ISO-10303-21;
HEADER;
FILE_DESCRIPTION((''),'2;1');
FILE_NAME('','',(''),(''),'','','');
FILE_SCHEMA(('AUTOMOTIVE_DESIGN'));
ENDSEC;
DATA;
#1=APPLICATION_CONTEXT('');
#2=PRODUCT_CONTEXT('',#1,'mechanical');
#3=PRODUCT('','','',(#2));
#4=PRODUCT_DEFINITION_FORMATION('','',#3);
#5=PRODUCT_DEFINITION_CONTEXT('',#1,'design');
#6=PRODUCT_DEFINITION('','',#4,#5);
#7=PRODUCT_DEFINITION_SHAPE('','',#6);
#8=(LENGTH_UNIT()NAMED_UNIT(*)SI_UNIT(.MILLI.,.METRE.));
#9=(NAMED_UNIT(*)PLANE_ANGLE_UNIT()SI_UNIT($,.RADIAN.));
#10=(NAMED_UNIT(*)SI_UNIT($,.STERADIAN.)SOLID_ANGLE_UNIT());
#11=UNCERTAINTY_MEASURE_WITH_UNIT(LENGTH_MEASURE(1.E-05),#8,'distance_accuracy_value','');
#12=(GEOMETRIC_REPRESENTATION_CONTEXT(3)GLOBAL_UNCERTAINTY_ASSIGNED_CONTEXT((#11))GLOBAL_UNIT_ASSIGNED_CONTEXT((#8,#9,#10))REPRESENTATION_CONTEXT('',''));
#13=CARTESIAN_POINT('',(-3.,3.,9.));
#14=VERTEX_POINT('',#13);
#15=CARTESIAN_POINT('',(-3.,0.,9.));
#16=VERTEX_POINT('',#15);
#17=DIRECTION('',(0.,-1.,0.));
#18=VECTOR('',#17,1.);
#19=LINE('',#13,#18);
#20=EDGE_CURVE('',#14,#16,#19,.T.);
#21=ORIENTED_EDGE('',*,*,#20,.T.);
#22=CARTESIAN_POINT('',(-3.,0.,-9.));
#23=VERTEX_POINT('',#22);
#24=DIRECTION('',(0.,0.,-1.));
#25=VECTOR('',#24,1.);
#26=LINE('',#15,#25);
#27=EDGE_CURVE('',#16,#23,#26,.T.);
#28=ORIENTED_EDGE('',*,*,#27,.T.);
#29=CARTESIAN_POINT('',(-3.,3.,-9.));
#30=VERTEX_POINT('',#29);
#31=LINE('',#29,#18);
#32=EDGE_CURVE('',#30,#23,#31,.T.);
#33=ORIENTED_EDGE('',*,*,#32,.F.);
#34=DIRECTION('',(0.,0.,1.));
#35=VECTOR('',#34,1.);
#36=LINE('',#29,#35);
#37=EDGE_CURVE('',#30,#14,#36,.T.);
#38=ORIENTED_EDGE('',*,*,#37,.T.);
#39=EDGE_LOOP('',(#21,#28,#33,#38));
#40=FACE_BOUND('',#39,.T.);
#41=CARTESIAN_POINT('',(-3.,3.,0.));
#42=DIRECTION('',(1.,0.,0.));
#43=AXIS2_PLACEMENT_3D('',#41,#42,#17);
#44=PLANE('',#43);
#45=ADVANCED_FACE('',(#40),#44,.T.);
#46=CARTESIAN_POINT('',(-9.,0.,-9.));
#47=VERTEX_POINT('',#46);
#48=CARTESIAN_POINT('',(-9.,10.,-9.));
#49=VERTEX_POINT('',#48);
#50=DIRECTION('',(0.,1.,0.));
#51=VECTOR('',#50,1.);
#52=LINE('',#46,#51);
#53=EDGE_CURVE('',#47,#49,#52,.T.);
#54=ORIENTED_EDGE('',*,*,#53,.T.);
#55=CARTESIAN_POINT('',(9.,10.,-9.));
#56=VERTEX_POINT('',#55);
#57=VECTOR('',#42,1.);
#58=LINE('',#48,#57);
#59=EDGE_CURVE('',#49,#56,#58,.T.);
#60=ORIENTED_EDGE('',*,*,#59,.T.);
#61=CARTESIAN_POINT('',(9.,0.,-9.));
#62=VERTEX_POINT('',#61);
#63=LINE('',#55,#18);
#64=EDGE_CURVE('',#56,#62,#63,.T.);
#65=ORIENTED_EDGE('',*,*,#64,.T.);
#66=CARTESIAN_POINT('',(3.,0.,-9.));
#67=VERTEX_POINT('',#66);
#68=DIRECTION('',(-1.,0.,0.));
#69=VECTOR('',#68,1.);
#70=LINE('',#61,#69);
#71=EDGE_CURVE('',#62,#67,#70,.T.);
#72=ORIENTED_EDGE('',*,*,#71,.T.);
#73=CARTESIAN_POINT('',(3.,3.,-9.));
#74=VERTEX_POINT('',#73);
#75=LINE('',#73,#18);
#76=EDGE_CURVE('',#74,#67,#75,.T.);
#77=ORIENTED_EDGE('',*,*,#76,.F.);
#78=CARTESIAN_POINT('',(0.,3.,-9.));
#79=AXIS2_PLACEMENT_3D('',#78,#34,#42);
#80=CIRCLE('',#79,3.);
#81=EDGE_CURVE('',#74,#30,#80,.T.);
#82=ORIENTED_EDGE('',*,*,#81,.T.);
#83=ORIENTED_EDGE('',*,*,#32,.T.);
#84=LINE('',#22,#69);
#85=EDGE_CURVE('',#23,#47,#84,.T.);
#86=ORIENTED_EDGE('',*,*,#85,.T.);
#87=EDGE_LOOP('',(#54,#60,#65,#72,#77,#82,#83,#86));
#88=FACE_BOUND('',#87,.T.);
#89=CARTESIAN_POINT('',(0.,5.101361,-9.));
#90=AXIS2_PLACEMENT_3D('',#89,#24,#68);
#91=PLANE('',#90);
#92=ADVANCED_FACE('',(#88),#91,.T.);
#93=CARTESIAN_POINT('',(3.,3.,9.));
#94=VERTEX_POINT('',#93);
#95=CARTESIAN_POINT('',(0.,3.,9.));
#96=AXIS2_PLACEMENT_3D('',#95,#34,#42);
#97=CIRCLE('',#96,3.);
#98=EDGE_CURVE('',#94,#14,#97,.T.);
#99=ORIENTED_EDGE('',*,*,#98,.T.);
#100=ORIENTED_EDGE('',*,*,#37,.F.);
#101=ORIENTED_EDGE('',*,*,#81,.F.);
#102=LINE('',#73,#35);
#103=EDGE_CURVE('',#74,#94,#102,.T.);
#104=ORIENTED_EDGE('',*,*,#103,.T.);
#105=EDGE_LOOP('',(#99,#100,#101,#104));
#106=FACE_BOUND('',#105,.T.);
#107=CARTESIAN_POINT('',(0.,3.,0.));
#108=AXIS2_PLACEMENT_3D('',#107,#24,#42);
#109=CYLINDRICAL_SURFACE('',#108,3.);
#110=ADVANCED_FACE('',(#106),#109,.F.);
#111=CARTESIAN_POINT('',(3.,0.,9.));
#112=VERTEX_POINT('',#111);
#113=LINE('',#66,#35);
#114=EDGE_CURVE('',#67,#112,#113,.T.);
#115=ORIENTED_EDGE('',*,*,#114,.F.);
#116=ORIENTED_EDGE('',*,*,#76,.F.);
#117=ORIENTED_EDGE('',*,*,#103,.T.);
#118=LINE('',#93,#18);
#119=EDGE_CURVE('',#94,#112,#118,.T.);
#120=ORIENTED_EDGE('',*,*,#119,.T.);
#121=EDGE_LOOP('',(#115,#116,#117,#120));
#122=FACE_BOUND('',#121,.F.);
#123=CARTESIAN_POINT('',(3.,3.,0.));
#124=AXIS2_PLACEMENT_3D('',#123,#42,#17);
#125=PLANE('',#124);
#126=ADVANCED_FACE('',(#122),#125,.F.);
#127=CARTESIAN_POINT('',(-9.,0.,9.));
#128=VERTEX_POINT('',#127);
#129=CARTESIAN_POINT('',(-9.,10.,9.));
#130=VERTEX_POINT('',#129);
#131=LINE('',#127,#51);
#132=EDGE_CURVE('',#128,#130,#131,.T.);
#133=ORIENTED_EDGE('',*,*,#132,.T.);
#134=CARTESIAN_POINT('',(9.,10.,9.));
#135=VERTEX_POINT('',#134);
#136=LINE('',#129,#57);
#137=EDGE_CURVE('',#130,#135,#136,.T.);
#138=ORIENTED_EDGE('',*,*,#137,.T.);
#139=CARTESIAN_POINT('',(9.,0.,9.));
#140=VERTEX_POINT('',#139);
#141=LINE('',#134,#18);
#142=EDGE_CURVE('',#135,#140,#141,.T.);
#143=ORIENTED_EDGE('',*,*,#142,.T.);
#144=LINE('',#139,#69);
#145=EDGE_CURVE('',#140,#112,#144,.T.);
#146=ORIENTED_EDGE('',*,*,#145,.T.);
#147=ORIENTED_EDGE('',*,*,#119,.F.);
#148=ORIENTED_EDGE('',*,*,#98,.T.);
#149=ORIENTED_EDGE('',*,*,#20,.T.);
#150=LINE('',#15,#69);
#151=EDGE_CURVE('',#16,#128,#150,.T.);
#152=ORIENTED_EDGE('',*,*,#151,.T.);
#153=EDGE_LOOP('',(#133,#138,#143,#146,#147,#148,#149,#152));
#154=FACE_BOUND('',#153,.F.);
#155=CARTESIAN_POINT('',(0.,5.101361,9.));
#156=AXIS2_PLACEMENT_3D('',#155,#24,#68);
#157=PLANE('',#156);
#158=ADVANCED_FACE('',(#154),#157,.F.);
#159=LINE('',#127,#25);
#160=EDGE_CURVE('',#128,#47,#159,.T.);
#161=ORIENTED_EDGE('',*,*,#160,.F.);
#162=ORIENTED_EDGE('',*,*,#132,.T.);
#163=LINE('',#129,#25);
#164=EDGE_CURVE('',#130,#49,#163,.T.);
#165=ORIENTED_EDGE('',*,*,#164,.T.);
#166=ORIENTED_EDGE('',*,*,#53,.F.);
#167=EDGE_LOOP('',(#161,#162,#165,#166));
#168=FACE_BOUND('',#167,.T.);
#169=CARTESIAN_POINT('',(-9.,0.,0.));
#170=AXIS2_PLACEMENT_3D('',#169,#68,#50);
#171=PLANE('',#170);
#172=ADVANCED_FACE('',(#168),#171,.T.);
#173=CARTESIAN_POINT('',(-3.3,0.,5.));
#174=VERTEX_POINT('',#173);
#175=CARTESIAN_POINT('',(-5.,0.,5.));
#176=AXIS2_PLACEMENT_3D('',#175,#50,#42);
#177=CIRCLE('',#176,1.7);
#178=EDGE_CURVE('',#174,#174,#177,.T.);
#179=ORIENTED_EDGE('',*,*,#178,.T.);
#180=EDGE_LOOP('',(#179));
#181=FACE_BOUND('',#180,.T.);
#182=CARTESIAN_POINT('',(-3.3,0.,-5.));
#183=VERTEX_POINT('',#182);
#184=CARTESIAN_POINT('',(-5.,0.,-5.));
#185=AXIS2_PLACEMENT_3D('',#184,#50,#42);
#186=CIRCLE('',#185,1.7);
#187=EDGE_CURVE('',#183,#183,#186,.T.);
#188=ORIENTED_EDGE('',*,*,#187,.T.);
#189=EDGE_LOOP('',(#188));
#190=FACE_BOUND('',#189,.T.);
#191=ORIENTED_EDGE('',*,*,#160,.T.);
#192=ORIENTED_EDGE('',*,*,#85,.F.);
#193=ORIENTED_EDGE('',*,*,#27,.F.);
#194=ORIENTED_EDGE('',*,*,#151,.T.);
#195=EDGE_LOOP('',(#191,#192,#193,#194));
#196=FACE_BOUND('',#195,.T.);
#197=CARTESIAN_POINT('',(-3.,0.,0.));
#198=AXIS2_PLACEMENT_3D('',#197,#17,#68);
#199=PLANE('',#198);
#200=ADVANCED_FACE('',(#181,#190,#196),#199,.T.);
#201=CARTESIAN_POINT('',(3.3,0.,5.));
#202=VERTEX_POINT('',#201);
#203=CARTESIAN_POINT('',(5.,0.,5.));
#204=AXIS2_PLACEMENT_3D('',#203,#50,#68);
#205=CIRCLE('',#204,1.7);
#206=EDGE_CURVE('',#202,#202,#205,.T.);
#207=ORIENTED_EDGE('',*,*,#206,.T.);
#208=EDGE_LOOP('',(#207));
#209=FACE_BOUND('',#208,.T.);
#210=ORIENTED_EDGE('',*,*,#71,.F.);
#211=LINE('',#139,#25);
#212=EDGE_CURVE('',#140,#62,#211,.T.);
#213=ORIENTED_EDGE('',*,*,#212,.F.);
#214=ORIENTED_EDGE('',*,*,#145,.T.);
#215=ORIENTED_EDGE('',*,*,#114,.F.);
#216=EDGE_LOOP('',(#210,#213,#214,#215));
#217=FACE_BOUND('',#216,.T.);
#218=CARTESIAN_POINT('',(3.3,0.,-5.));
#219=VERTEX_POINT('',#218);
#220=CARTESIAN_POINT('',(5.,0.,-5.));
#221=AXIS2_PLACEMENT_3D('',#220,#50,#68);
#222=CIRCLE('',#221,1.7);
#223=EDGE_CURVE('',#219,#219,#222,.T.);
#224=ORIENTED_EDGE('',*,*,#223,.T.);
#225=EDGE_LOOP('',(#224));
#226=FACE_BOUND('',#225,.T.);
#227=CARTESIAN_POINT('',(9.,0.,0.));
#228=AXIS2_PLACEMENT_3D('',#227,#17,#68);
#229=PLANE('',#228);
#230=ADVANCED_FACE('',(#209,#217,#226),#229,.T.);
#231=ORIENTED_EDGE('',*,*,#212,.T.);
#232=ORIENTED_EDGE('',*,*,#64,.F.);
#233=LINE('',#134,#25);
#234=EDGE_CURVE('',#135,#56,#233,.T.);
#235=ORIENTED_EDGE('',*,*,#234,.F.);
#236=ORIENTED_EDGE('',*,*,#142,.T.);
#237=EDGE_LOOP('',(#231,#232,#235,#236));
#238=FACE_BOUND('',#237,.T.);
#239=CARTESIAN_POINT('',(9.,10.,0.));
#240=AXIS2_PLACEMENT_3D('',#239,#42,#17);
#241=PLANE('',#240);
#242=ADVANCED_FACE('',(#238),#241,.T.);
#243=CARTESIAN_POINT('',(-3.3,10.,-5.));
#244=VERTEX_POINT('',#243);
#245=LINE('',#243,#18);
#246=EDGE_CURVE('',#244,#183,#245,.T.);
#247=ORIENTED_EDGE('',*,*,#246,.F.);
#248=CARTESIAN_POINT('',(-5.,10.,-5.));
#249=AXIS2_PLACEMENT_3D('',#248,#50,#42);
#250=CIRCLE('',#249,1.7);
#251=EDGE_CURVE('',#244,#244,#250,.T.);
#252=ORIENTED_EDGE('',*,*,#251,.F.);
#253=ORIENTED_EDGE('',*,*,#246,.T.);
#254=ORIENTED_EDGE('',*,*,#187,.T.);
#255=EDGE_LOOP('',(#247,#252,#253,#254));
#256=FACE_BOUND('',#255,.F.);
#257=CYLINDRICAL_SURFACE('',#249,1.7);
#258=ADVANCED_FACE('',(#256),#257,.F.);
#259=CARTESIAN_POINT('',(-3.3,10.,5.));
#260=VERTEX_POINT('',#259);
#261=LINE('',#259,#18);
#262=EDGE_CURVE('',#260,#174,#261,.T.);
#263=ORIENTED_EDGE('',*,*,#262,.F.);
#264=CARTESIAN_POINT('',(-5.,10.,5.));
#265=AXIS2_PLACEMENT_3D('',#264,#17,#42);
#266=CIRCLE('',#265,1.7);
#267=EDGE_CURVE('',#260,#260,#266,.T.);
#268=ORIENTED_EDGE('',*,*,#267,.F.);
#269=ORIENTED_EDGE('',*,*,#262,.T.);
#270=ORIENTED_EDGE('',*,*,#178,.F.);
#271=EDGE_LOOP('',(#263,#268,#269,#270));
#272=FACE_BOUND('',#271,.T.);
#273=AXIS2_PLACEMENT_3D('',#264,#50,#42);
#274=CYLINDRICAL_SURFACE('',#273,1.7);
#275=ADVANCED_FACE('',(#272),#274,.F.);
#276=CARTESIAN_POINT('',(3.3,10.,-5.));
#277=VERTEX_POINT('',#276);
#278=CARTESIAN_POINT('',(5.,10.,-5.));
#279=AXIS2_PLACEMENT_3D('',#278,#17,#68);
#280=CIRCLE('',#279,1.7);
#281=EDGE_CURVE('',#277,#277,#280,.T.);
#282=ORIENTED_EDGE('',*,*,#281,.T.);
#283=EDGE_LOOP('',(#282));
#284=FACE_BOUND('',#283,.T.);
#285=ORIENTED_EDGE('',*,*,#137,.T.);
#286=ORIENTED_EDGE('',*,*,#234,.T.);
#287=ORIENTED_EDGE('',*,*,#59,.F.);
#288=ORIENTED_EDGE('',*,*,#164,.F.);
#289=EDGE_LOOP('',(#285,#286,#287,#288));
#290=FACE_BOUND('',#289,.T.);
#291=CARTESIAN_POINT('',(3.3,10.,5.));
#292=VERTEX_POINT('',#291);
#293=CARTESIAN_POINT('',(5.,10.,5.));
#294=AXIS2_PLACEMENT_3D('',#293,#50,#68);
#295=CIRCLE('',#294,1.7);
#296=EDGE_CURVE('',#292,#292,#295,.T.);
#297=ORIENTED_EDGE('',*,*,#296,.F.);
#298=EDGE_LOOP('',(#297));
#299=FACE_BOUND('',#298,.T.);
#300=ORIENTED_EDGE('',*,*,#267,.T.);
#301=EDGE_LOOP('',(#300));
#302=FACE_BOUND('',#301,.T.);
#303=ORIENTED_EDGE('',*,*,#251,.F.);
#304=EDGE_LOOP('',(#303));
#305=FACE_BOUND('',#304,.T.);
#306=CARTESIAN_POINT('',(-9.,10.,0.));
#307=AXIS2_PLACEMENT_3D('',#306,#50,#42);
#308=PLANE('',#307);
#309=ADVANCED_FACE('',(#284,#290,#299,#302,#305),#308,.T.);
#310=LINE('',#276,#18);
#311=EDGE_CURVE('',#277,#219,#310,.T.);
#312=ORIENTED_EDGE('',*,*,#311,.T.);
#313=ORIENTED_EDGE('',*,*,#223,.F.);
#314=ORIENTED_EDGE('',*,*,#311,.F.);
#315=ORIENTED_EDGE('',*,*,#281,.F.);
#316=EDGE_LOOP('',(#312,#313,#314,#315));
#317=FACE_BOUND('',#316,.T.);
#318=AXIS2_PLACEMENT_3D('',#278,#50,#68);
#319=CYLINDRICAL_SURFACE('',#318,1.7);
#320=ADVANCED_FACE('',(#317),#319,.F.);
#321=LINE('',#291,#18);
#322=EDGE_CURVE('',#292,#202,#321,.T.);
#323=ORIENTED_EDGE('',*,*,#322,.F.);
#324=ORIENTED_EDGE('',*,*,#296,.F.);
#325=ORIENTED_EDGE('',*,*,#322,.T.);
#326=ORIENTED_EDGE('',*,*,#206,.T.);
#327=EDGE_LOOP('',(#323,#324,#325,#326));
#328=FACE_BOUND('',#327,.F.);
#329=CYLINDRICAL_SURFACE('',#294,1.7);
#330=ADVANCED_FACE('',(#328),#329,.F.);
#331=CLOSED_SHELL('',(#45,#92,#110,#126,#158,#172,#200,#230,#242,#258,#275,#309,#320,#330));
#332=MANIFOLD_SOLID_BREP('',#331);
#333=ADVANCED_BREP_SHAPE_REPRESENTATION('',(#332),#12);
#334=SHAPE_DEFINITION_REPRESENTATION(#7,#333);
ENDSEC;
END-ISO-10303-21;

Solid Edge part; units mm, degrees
sketch "Sketch1" plane through (0, 0, 0) normal (0, 0, 1) x (1, 0, 0)
  line L0 (-3, 3) -> (-3, 0)
  line L1 (-3, 0) -> (-9, 0)
  line L2 (-9, 0) -> (-9, 10)
  line L3 (-9, 10) -> (9, 10)
  line L4 (9, 10) -> (9, 0)
  line L5 (9, 0) -> (3, 0)
  line L6 (3, 3) -> (3, 0)
  arc A0 (3, 3) -> (-3, 3) centre (0, 3) ccw
  dimension "D1" = 18
  dimension "D2" = 6
  dimension "D3" = 6
  dimension "D4" = 3
extrude "Protrusion1" add sketch "Sketch1" along normal mid plane 18
sketch "Sketch2" plane through (0, 10, 0) normal (0, 1, 0) x (1, 0, 0)
  circle A0 centre (-5, 5) radius 1.7
  dimension "D1" = 4
  dimension "D2" = 4
extrude "Cutout1" cut sketch "Sketch2" against normal through all
mirror "Mirror1" about plane through (0, 0, 0) normal (1, 0, 0) of "Cutout1"
mirror "Mirror2" about plane through (0, 0, 0) normal (0, 0, 1) of "Cutout1", "Mirror1"
properties material "ABS Plastic, high impact"
